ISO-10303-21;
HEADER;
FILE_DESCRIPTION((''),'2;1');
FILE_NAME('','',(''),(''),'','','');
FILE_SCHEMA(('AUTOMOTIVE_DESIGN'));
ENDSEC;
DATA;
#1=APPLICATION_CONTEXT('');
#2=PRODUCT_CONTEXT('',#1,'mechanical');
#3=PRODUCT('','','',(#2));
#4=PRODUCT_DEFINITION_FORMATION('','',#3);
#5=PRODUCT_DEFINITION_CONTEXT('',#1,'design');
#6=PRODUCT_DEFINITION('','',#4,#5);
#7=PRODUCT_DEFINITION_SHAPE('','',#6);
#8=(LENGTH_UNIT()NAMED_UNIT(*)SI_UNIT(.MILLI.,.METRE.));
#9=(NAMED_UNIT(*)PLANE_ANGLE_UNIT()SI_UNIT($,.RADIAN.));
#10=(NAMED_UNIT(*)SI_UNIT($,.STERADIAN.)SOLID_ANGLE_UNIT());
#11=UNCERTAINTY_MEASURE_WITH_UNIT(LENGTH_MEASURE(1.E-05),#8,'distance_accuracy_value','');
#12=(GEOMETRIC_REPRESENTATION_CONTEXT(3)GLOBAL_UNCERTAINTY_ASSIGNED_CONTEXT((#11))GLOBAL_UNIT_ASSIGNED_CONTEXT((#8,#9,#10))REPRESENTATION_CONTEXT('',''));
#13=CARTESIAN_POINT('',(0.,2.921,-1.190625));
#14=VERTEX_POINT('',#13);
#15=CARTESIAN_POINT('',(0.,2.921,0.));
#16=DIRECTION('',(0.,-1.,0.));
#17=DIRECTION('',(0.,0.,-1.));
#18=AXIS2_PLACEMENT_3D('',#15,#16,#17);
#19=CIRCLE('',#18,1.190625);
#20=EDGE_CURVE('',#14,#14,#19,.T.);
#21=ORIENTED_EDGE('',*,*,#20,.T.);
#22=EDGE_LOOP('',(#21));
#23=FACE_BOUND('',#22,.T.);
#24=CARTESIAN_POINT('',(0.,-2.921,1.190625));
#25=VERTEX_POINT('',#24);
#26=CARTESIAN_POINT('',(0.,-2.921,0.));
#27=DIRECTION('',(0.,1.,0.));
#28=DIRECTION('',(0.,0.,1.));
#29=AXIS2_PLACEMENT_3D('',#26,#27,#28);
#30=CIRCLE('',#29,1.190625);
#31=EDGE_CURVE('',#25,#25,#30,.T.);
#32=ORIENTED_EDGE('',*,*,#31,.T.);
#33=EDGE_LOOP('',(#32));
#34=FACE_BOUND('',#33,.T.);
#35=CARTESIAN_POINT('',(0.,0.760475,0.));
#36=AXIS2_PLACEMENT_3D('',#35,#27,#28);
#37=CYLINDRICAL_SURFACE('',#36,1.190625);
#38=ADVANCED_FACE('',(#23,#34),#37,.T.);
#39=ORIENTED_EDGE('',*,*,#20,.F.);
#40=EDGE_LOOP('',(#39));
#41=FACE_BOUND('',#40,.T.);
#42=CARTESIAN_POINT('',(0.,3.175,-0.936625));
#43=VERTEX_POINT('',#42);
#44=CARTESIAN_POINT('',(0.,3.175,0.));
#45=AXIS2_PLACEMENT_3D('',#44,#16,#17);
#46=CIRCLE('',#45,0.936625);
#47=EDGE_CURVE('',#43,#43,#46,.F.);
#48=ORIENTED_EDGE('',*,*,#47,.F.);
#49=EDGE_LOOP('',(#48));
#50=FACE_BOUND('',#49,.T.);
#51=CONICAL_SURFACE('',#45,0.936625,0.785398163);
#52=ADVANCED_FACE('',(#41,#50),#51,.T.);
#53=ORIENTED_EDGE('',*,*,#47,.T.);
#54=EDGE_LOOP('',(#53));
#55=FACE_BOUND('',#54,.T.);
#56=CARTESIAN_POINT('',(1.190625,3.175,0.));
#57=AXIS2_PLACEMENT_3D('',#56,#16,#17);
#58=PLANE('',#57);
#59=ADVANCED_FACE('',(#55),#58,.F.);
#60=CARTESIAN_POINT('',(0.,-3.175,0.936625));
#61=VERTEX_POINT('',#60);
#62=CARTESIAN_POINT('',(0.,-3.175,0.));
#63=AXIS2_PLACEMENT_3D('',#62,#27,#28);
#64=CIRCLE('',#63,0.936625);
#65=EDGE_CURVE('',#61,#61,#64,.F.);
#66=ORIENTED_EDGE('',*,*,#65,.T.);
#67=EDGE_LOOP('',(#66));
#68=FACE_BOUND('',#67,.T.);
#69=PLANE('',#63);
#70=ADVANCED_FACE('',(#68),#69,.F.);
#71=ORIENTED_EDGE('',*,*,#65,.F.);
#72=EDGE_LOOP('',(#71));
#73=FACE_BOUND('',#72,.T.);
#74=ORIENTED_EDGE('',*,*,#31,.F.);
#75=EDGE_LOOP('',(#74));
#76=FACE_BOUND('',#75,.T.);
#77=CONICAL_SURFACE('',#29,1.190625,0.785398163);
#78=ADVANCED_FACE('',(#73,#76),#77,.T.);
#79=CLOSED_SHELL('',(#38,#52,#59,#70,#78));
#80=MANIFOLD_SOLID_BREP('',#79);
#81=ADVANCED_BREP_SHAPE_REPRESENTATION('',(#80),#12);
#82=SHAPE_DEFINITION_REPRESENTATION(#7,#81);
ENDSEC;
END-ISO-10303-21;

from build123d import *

# Parameters (mm, degrees)
SKETCH1_W     = 1.190625
SKETCH1_H     = 6.35
CHAMFER1_SIZE = 0.254


with BuildPart() as part:
    # Sketch1 → Revolve1 (revolve)
    with BuildSketch(Plane.XY):
        with Locations((0.5953125, 0)):
            Rectangle(SKETCH1_W, SKETCH1_H)
    revolve(axis=Axis((0, 0.760475273, 0), (0, -1, 0)))

    # Chamfer1
    chamfer1_edges = [part.edges().sort_by_distance(p)[0] for p in [
        (-1.190625, 3.175, 0),
        (-1.190625, -3.175, 0),
    ]]
    chamfer(chamfer1_edges, length=CHAMFER1_SIZE)


solid = part.part
